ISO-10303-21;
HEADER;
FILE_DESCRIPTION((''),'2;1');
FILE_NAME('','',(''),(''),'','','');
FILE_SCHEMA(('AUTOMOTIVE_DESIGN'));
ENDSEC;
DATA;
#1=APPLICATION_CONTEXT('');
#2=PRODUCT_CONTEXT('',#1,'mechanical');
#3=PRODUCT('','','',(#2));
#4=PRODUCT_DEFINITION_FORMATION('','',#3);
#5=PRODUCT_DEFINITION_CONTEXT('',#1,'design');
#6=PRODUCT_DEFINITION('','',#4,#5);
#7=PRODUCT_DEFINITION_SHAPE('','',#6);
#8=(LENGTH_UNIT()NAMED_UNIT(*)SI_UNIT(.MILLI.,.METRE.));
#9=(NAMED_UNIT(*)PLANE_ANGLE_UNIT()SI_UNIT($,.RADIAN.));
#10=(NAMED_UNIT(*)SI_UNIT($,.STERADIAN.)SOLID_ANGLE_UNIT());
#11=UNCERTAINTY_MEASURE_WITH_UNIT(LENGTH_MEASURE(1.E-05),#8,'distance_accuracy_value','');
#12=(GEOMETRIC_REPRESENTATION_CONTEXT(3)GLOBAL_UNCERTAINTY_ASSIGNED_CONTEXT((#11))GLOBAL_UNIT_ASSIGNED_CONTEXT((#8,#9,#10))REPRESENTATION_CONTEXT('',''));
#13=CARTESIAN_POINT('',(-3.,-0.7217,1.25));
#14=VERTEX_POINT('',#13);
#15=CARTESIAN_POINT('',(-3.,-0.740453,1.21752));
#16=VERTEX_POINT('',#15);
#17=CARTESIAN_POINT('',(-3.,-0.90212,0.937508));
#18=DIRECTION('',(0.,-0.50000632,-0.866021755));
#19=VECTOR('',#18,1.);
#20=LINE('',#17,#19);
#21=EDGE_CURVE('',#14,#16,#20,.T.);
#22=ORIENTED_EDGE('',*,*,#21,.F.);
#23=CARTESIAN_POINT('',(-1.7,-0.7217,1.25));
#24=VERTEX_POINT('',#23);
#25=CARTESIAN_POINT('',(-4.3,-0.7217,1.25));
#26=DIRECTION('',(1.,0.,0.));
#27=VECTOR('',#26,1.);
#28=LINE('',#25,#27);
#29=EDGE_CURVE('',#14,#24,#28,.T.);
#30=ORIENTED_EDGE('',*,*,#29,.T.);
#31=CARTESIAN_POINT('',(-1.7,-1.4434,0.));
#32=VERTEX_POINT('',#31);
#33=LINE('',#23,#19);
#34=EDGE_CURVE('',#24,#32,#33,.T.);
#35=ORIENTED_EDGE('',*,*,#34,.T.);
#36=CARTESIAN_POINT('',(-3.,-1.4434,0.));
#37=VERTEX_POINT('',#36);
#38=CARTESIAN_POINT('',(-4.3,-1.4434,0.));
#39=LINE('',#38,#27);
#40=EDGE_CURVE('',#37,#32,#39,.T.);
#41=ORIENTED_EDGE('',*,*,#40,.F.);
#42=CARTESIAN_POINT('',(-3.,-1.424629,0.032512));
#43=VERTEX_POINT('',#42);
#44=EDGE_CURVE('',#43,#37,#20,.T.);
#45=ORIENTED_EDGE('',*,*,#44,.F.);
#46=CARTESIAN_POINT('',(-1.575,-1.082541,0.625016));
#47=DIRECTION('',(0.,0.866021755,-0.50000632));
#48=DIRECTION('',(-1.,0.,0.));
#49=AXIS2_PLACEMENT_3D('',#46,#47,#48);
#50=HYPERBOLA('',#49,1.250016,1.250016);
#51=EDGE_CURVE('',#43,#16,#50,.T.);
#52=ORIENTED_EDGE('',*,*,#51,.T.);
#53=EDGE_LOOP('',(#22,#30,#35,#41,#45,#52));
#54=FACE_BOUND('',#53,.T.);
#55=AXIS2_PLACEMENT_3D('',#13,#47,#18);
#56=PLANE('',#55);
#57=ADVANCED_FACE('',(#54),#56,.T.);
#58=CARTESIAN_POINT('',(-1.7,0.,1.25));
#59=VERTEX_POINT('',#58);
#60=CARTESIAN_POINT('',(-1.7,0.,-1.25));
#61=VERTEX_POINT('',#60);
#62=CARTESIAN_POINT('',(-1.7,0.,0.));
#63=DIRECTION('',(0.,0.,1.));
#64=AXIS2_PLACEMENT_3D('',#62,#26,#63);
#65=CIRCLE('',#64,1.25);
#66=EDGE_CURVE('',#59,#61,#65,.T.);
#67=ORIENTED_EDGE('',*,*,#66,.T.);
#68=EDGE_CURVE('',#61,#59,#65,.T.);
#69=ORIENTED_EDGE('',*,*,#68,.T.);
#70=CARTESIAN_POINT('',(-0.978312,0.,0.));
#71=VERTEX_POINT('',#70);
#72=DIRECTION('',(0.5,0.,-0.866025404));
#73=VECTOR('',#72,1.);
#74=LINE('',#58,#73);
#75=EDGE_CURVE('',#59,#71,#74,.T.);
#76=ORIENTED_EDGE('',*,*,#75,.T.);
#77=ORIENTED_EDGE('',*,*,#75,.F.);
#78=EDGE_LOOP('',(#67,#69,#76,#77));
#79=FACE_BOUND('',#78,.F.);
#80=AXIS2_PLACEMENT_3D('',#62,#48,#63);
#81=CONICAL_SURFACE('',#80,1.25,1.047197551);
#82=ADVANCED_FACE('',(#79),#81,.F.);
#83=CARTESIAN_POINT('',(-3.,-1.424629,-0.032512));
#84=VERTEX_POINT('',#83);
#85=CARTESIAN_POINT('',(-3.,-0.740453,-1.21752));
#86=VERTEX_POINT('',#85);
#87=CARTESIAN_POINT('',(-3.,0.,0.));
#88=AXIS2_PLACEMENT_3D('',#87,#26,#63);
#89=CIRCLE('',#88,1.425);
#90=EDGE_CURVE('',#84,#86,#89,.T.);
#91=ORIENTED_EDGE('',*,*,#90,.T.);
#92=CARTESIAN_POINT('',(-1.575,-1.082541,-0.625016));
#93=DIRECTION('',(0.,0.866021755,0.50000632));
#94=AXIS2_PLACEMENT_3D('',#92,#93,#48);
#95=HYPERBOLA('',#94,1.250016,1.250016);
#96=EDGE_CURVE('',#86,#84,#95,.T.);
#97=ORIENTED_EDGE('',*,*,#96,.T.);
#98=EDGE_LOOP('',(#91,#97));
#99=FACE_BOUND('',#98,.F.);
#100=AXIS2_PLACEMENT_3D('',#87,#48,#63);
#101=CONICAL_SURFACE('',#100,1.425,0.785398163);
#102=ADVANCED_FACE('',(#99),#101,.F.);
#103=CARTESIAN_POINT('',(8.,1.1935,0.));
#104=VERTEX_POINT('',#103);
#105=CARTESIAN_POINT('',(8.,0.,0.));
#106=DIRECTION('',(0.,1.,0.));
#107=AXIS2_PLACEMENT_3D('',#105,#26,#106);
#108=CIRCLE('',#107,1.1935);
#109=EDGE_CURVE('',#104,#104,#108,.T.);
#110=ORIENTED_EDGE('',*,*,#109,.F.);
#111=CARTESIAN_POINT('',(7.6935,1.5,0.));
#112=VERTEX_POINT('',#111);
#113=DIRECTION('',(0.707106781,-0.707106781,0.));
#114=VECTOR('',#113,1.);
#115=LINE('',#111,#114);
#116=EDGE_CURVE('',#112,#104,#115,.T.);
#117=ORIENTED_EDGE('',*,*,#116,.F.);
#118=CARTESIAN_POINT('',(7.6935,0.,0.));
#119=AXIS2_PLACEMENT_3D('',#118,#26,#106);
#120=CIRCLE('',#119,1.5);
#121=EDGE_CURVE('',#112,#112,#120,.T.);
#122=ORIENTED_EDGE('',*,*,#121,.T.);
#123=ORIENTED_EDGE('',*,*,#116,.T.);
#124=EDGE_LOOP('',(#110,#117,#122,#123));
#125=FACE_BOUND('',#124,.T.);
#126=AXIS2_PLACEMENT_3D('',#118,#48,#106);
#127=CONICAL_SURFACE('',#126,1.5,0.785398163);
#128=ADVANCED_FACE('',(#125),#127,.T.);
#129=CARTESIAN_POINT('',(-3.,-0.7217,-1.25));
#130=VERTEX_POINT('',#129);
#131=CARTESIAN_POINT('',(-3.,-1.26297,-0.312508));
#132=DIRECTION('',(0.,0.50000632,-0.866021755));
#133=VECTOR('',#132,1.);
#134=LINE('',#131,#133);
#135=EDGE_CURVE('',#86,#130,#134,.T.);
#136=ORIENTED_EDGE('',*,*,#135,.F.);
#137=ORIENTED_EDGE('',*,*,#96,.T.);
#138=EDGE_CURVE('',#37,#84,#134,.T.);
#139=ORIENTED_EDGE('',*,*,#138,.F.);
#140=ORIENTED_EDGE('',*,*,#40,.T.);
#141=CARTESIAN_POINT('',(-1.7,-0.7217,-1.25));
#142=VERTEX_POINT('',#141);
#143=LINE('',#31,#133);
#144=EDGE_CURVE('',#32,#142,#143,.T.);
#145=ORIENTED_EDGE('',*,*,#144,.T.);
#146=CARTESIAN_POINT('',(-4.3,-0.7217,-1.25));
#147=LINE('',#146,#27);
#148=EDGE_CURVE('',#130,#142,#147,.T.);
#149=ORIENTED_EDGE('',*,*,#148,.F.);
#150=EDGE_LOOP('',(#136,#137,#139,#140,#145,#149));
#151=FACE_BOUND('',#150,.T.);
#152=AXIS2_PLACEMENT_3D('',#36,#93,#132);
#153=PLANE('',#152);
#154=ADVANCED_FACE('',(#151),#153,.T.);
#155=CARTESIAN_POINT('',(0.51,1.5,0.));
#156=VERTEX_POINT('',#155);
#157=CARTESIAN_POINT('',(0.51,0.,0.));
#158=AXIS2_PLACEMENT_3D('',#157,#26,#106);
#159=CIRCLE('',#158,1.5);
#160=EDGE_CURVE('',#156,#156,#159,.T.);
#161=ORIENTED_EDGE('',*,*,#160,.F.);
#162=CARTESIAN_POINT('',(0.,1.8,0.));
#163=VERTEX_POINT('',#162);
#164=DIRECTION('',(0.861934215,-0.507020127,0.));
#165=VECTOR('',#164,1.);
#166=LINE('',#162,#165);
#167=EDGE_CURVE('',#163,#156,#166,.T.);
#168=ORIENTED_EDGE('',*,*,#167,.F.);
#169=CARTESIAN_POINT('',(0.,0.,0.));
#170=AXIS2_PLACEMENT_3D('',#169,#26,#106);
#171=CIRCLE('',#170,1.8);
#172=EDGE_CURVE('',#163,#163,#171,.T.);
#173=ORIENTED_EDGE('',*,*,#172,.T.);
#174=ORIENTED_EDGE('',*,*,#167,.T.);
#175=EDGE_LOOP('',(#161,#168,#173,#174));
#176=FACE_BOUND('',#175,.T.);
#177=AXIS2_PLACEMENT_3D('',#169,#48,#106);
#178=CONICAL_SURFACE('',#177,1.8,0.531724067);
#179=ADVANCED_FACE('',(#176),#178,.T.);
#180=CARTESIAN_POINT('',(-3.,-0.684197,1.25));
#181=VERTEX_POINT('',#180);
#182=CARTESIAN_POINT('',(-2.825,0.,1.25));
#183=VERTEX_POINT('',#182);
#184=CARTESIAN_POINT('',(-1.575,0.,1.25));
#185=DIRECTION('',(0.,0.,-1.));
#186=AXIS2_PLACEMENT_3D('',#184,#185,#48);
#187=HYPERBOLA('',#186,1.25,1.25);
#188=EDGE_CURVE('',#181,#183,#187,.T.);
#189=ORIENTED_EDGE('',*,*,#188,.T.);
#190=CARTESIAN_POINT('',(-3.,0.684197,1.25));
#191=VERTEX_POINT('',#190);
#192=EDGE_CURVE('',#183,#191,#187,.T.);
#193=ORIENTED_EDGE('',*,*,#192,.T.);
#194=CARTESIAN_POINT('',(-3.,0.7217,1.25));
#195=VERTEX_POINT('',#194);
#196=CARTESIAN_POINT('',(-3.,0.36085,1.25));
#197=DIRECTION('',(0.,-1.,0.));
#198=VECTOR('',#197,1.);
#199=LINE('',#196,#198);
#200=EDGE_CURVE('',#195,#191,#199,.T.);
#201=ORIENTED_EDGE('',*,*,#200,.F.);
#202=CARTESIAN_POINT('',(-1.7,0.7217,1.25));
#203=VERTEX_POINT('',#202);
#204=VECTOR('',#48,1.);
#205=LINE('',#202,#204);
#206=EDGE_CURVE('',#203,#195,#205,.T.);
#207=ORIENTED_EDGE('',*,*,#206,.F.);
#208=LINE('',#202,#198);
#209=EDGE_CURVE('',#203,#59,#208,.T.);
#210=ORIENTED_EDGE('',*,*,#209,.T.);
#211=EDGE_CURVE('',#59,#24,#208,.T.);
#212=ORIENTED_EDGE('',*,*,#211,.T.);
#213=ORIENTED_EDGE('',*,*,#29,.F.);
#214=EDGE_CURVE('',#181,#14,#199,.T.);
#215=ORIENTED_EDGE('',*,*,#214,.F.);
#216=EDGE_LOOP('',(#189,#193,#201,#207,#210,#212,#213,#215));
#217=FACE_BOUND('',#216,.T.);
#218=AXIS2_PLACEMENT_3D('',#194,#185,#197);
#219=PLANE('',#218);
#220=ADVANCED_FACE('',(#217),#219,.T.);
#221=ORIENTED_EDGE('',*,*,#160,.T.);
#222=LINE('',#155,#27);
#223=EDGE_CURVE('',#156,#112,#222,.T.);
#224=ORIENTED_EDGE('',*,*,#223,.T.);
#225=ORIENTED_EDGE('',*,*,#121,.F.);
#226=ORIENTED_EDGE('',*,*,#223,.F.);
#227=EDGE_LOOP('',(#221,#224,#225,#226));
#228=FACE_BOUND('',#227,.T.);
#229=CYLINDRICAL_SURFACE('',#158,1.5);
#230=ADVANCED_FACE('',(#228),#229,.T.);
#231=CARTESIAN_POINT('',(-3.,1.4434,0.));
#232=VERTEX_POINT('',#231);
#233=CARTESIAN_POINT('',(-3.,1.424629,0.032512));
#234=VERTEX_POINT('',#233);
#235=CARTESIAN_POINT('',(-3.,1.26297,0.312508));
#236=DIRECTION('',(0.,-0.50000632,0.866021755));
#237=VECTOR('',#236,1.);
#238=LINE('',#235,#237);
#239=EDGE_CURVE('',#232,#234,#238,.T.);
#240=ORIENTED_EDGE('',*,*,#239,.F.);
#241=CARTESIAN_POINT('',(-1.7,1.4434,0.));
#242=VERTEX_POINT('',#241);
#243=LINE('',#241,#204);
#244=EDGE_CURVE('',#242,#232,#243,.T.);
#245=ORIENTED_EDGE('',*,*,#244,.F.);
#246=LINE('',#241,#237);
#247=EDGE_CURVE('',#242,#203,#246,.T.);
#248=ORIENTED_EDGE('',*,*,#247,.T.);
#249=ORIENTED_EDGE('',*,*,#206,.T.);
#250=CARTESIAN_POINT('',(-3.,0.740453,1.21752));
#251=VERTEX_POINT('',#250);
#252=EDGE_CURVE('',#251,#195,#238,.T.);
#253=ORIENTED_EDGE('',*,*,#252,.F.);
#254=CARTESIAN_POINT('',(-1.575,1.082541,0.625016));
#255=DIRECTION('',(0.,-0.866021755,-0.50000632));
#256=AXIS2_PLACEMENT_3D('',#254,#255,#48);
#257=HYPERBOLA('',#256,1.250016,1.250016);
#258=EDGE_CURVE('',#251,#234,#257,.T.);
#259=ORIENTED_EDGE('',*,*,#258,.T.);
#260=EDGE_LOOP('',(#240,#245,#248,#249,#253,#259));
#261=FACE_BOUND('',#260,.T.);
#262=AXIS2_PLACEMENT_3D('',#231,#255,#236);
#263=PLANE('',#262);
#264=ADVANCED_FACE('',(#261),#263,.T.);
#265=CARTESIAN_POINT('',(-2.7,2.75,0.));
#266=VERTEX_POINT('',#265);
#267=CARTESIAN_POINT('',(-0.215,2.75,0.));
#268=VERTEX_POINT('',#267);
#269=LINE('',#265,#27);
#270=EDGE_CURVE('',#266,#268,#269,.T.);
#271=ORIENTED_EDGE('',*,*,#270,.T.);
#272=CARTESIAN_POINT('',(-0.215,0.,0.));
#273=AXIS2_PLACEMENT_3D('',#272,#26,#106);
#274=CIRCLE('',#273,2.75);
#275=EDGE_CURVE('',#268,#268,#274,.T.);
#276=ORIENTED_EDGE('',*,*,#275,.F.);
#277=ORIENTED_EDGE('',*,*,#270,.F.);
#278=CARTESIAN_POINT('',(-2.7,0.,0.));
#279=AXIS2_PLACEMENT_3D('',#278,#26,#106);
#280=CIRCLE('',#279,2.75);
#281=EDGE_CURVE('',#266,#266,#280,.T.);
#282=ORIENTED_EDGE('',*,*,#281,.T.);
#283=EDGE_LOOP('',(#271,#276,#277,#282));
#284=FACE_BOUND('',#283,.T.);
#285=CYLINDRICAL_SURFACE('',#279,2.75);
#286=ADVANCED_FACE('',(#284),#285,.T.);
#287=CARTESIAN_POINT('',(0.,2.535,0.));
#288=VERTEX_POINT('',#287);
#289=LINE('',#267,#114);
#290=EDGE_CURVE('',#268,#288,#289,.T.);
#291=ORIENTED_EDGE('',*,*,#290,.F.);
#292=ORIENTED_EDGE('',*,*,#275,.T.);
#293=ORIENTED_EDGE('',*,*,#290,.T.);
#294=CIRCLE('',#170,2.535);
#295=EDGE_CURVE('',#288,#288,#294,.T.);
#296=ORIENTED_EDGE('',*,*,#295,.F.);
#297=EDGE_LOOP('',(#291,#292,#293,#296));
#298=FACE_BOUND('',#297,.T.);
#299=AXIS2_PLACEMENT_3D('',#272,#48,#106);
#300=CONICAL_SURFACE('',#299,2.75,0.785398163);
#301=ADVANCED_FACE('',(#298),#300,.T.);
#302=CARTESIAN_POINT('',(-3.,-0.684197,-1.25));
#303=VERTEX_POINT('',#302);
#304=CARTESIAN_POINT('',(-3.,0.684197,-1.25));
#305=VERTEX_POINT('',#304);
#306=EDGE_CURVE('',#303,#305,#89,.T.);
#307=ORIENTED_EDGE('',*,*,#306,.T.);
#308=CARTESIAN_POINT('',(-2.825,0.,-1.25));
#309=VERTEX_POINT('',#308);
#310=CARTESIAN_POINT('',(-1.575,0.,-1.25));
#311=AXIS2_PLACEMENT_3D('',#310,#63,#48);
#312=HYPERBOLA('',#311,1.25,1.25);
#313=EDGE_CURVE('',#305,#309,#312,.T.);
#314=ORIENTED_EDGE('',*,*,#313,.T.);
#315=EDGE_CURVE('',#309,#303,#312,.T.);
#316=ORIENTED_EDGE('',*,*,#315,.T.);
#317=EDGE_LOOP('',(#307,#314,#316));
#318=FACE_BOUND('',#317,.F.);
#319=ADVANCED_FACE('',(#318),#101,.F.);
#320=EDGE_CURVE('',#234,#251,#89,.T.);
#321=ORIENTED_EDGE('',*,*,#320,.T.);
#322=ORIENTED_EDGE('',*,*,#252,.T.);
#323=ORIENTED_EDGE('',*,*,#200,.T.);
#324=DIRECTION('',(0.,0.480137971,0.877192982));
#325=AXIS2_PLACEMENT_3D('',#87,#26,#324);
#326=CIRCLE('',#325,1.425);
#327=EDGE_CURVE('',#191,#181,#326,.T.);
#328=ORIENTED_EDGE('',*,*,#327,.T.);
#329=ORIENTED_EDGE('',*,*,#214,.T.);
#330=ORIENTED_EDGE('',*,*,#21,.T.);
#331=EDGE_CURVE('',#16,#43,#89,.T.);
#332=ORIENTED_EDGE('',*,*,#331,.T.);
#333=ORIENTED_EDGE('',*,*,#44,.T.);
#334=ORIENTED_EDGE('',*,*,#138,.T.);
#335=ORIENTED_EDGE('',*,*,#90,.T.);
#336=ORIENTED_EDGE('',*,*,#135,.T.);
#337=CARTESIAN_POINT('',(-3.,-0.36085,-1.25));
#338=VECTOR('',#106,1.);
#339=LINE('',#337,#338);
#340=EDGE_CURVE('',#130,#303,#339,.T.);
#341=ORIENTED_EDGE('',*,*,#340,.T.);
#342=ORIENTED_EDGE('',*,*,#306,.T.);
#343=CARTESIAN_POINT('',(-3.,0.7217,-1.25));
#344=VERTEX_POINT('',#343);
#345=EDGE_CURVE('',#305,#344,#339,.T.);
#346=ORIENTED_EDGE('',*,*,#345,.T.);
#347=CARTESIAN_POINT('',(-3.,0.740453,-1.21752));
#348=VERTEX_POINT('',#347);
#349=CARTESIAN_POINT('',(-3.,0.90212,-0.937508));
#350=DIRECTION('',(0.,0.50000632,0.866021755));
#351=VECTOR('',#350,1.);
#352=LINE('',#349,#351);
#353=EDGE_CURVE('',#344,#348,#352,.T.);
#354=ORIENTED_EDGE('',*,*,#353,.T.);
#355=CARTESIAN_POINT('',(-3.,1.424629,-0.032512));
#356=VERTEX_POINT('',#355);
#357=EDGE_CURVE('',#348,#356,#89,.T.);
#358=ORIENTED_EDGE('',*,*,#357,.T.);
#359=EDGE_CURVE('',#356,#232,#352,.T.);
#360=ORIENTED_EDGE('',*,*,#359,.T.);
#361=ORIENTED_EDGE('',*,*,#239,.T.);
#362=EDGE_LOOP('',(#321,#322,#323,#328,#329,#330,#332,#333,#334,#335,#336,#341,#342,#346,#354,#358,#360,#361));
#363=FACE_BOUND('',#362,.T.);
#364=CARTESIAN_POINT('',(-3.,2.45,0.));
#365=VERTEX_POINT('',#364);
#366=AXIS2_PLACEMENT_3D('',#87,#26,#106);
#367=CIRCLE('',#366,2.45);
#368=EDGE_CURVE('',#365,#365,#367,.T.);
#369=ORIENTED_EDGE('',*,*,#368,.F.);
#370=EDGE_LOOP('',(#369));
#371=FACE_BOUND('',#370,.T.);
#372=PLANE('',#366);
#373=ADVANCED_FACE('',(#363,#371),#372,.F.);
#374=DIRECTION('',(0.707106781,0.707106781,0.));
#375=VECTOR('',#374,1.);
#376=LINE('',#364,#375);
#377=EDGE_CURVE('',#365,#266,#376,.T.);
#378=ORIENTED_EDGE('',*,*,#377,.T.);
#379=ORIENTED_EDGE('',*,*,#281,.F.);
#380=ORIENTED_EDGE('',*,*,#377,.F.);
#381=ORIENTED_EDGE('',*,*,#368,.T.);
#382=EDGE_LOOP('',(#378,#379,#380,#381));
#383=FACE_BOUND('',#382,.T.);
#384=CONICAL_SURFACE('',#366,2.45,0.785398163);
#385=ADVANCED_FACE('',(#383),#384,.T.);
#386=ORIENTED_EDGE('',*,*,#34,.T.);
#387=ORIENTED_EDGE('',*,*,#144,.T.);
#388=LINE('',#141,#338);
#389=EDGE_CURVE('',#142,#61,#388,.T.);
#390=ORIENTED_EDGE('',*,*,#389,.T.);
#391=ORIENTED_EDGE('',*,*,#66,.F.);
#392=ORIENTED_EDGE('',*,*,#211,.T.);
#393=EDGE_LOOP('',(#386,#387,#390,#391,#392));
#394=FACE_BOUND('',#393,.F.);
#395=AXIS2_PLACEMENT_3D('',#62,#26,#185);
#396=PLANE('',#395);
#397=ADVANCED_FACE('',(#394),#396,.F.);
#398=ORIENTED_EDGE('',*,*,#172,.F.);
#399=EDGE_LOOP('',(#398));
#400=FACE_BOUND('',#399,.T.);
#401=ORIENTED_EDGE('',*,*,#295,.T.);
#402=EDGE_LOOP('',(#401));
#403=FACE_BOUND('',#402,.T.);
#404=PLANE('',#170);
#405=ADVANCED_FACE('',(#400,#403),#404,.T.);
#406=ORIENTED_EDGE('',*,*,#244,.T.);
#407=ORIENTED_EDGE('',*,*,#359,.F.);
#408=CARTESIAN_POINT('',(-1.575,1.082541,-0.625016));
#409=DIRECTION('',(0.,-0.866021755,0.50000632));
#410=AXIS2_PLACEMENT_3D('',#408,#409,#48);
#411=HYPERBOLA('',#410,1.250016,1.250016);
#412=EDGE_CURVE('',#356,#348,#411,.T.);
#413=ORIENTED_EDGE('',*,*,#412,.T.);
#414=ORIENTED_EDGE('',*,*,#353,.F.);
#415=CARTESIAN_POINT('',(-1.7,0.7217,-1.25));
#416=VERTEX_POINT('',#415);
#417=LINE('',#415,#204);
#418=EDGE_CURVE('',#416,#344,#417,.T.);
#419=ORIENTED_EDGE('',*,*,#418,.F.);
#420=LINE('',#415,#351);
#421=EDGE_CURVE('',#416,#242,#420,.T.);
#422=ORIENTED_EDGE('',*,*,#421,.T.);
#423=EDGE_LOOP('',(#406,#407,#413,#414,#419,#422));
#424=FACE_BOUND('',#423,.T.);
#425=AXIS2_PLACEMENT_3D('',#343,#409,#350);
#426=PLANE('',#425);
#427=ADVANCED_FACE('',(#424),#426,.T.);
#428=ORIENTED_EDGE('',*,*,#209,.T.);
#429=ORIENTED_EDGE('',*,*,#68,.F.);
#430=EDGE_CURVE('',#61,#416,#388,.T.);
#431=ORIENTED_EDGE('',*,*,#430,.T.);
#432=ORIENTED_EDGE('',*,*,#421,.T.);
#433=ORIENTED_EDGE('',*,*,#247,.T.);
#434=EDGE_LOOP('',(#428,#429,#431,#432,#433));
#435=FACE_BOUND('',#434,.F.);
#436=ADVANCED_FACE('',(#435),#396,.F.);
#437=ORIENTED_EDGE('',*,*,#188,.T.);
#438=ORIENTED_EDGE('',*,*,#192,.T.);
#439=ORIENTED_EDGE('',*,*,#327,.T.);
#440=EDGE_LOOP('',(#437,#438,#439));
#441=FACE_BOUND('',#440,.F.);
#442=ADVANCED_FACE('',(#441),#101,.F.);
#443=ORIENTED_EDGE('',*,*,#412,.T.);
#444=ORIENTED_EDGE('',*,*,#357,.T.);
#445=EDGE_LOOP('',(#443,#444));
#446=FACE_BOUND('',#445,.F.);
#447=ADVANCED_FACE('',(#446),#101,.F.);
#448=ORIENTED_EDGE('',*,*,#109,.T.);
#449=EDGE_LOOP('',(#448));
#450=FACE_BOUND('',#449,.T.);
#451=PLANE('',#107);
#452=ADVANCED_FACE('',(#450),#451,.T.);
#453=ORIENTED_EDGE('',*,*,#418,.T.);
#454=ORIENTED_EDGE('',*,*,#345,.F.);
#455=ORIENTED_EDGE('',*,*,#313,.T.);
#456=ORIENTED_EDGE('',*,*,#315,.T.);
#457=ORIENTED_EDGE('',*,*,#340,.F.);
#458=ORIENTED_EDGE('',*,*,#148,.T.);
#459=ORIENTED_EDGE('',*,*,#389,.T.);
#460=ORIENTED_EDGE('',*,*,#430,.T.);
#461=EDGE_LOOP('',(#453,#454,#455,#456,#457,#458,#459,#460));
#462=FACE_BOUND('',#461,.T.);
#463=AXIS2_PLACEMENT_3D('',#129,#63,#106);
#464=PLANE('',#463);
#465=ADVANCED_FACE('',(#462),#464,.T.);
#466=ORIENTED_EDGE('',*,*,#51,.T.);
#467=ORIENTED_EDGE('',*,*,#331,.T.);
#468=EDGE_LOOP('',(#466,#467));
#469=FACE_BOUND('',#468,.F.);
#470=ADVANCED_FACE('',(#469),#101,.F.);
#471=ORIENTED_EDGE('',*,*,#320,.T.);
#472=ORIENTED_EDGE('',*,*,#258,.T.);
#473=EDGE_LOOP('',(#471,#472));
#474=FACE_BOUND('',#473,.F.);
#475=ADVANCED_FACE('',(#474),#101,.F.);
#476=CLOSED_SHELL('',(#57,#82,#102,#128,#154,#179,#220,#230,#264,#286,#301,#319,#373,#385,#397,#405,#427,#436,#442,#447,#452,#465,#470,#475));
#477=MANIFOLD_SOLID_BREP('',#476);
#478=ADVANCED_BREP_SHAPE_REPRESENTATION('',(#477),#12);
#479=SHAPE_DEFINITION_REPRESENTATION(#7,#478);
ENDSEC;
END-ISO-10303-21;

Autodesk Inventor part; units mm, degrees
sketch "Sketch_1" plane through (0, 0, 0) normal (0, 0, 1) x (1, 0, 0)
  line L0 (8, 0) -> (-3, 0)
  line L1 (-3, 0) -> (-3, 2.75)
  line L2 (-3, 2.75) -> (0, 2.75)
  line L3 (0, 2.75) -> (0, 1.8)
  line L4 (0, 1.8) -> (0.51, 1.5)
  line L5 (0.51, 1.5) -> (7.6935, 1.5)
  line L6 (7.6935, 1.5) -> (8, 1.1935)
  line L7 (8, 1.1935) -> (8, 0)
  line L8 (8, 0) -> (-3, 0)
revolve "Revolution1" add sketch "Sketch_1" angle 360 about axis through (8, 0, 0) along (1, 0, 0)
thread "Thread1" size "M3x0.5" class "6g" standard "ISO Metric profile" length 6.1935
sketch "Sketch_6" plane through (0, 0, 0) normal (0, 0, 1) x (1, 0, 0)
  line L0 (0, 0) -> (-3, 0)
  line L1 (-3, 3.3) -> (-3, 2.45)
  line L2 (-3, 2.45) -> (-2.7, 2.75)
  line L3 (-2.7, 2.75) -> (-0.215, 2.75)
  line L4 (-0.215, 2.75) -> (0, 2.535)
  line L5 (0, 2.535) -> (0, 3.3)
  line L6 (0, 3.3) -> (-3, 3.3)
revolve "Revolution2" cut sketch "Sketch_6" angle 360 about axis through (0, 0, 0) along (1, 0, 0)
sketch "Sketch3" plane through (-3, 0, 0) normal (-1, 0, 0) x (0, 0, 1)
  point P0 (0, 0)
hole "Hole1" at (-3, 0, 0) direction (1, 0, 0) diameter 2.5 depth 1.3 tip angle 120 countersink diameter 2.85 countersink angle 90
sketch "Sketch_2" plane through (-3, 0, 0) normal (1, 0, 0) x (0, 0, -1)
  line L0 (-1.25, -0.7217) -> (0, -1.4434)
  line L1 (0, -1.4434) -> (1.25, -0.7217)
  line L2 (1.25, -0.7217) -> (1.25, 0.7217)
  line L3 (1.25, 0.7217) -> (0, 1.4434)
  line L4 (0, 1.4434) -> (-1.25, 0.7217)
  line L5 (-1.25, 0.7217) -> (-1.25, -0.7217)
extrude "Extrusion1" cut sketch "Sketch_2" along normal mid plane 2.6
ref_plane "ANBAU_XY" through (0, 0, 0) normal (-1, 0, 0) x (0, 0, -1)
ref_plane "ANBAU_YZ" through (0, 0, 0) normal (0, 0, -1) x (0, -1, 0)
ref_plane "ANBAU_ZX" through (0, 0, 0) normal (0, -1, 0) x (-1, 0, 0)
ref_plane "IP1_XY" through (0, 0, 0) normal (1, 0, 0) x (0, 0, -1)
ref_plane "IP1_YZ" through (0, 0, 0) normal (0, 0, -1) x (0, 1, 0)
ref_plane "IP1_ZX" through (0, 0, 0) normal (0, 1, 0) x (1, 0, 0)
ref_plane "IP2_XY" through (-3, 0, 0) normal (1, 0, 0) x (0, 0, -1)
ref_plane "IP2_YZ" through (-3, 0, 0) normal (0, 0, -1) x (0, 1, 0)
ref_plane "IP2_ZX" through (-3, 0, 0) normal (0, 1, 0) x (1, 0, 0)
ref_plane "IP3_XY" through (8, 0, 0) normal (1, 0, 0) x (0, 0, -1)
ref_plane "IP3_YZ" through (8, 0, 0) normal (0, 0, -1) x (0, 1, 0)
ref_plane "IP3_ZX" through (8, 0, 0) normal (0, 1, 0) x (1, 0, 0)
properties part number "ISO-4762 M3x8"
